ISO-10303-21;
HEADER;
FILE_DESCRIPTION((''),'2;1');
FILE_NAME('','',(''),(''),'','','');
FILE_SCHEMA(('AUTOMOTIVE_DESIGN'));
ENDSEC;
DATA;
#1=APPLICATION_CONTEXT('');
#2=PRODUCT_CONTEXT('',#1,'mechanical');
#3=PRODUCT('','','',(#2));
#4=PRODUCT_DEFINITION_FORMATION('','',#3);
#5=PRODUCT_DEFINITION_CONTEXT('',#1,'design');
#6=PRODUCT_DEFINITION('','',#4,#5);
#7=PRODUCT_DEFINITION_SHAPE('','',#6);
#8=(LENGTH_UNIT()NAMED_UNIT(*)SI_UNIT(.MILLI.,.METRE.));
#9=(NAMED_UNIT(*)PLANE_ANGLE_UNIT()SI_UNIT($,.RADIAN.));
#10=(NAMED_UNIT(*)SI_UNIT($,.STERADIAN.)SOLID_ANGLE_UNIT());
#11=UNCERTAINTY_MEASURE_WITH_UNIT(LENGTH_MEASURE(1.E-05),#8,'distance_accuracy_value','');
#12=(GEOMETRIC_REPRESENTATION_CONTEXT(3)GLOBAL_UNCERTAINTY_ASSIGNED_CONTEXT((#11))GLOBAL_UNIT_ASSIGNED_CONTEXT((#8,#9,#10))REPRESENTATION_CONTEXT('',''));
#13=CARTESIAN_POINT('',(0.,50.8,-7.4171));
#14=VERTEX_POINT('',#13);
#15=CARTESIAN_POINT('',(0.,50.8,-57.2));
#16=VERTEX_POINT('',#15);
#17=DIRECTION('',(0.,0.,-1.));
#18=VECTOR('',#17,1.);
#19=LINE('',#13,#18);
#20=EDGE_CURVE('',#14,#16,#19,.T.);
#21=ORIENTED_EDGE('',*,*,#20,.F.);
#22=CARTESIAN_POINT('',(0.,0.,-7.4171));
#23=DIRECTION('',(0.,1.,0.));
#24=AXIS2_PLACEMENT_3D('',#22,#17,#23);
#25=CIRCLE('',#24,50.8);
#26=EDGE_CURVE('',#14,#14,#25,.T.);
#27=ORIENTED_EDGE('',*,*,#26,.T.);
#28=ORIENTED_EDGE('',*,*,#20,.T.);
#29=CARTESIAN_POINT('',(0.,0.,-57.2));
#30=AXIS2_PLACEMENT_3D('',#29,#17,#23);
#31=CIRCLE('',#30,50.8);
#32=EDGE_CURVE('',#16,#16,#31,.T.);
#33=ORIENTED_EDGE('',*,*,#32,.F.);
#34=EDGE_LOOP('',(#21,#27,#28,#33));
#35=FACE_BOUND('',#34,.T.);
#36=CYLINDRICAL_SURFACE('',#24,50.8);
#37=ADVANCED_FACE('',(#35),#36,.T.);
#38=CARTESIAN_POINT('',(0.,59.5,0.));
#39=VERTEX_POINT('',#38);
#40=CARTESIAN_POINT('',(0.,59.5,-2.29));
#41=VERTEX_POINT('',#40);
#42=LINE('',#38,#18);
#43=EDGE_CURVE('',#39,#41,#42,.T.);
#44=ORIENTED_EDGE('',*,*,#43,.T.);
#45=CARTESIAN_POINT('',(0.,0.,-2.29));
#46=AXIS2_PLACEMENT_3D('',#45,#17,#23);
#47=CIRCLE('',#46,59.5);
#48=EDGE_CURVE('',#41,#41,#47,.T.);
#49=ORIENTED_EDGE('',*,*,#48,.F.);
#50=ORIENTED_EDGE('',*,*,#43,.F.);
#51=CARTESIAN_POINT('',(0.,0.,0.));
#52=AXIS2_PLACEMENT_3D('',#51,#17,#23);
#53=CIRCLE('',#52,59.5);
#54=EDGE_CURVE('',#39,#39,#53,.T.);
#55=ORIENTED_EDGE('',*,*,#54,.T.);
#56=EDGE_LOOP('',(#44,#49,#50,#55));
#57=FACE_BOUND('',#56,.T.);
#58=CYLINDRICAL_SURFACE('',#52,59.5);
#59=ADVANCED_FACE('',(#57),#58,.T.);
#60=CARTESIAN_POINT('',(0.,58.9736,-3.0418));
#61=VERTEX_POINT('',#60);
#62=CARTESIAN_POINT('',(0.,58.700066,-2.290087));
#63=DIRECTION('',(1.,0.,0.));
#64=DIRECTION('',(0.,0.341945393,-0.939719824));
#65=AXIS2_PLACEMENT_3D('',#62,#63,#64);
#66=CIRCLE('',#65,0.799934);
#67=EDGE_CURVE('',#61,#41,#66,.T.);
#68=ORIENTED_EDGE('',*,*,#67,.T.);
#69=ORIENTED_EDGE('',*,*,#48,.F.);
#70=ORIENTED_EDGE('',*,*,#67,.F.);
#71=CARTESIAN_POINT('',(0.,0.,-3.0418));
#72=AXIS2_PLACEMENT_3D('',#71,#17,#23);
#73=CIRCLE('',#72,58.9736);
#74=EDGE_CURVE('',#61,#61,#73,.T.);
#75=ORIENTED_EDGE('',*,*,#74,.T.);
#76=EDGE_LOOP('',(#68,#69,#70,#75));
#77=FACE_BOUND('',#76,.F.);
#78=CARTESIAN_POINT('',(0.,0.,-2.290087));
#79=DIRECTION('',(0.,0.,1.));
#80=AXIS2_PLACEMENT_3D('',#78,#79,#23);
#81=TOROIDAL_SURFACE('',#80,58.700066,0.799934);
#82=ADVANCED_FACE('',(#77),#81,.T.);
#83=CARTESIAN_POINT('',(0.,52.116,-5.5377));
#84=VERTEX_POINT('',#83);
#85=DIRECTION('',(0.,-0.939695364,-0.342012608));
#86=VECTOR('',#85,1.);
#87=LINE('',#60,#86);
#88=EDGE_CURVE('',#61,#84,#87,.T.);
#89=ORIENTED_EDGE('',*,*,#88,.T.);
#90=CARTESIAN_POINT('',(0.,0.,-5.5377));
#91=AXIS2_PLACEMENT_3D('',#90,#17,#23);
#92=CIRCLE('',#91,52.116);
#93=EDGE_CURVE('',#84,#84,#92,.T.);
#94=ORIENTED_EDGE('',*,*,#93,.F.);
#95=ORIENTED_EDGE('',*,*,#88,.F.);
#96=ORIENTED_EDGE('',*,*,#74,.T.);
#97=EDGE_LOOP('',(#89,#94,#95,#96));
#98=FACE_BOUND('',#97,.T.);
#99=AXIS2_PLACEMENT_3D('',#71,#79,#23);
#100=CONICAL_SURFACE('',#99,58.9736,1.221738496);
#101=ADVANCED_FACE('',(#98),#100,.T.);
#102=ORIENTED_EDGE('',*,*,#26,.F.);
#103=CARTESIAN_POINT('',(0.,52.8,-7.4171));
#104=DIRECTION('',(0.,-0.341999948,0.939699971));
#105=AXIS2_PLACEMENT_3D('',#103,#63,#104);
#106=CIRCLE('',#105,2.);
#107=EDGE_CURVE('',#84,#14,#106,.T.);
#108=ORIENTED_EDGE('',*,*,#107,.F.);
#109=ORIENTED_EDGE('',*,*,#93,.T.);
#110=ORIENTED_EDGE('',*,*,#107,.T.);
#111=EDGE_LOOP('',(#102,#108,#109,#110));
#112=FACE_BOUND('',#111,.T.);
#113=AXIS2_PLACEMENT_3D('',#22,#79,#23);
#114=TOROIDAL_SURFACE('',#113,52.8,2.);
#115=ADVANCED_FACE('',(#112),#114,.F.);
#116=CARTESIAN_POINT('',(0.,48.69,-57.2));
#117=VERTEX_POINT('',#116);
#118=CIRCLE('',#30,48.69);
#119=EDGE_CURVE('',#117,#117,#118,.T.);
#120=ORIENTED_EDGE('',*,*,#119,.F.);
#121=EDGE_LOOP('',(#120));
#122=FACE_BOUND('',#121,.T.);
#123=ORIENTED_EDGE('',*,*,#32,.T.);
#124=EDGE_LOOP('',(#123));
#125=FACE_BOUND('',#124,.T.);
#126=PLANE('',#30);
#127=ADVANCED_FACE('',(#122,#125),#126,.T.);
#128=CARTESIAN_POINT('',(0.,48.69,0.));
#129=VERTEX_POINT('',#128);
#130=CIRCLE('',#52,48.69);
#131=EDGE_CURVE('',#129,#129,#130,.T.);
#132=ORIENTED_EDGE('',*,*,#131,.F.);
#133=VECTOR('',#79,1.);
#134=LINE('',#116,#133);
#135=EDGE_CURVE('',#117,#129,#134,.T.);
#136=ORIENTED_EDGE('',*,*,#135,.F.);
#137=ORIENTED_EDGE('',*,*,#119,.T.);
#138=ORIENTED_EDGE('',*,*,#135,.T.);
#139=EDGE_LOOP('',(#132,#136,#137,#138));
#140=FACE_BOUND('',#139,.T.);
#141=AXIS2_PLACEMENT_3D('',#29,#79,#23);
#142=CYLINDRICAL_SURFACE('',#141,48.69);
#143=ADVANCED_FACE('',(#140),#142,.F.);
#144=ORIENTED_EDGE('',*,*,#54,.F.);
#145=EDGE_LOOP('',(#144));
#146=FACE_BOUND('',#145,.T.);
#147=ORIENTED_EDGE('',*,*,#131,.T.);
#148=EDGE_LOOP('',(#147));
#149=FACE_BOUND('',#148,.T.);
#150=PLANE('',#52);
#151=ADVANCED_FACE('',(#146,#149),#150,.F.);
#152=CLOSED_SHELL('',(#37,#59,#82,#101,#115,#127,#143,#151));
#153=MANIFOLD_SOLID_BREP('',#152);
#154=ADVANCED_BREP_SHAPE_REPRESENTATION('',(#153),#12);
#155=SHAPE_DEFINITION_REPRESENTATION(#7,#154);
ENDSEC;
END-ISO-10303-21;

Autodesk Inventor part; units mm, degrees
ref_plane "YZ Plane" through (0, 0, 0) normal (1, 0, 0) x (0, 1, 0)
ref_plane "XZ Plane" through (0, 0, 0) normal (0, 1, 0) x (-1, 0, 0)
ref_plane "XY Plane" through (0, 0, 0) normal (0, 0, 1) x (1, 0, 0)
sketch "Sketch2" plane through (0, 0, 0) normal (1, 0, 0) x (0, 1, 0)
  line L0 (0, 0) -> (0, -57.2)
  line L1 (48.69, -57.2) -> (48.69, 0)
  line L2 (48.69, 0) -> (59.5, 0)
  line L3 (59.5, 0) -> (59.5, -2.29)
  line L4 (58.9736, -3.0418) -> (52.116, -5.5377)
  line L5 (50.8, -7.4171) -> (50.8, -57.2)
  line L6 (50.8, -57.2) -> (48.69, -57.2)
  arc A0 (58.9736, -3.0418) -> (59.5, -2.29) centre (58.7, -2.29) ccw
  arc A1 (52.116, -5.5377) -> (50.8, -7.4171) centre (52.8, -7.4171) ccw
  dimension "OD" = 101.6
  dimension "THW" = 2.11
  dimension "L" = 57.2
  dimension "d3" = 119
  dimension "d4" = 0.8
  dimension "d5" = 2.29
  dimension "d6" = 2
  dimension "d7" = 20
revolve "Revolution1" add sketch "Sketch2" angle 360 about axis through (0, 0, 0) along (0, 0, -1)
properties part number "Ferrule-101.6" material "Stainless Steel, 316L"
